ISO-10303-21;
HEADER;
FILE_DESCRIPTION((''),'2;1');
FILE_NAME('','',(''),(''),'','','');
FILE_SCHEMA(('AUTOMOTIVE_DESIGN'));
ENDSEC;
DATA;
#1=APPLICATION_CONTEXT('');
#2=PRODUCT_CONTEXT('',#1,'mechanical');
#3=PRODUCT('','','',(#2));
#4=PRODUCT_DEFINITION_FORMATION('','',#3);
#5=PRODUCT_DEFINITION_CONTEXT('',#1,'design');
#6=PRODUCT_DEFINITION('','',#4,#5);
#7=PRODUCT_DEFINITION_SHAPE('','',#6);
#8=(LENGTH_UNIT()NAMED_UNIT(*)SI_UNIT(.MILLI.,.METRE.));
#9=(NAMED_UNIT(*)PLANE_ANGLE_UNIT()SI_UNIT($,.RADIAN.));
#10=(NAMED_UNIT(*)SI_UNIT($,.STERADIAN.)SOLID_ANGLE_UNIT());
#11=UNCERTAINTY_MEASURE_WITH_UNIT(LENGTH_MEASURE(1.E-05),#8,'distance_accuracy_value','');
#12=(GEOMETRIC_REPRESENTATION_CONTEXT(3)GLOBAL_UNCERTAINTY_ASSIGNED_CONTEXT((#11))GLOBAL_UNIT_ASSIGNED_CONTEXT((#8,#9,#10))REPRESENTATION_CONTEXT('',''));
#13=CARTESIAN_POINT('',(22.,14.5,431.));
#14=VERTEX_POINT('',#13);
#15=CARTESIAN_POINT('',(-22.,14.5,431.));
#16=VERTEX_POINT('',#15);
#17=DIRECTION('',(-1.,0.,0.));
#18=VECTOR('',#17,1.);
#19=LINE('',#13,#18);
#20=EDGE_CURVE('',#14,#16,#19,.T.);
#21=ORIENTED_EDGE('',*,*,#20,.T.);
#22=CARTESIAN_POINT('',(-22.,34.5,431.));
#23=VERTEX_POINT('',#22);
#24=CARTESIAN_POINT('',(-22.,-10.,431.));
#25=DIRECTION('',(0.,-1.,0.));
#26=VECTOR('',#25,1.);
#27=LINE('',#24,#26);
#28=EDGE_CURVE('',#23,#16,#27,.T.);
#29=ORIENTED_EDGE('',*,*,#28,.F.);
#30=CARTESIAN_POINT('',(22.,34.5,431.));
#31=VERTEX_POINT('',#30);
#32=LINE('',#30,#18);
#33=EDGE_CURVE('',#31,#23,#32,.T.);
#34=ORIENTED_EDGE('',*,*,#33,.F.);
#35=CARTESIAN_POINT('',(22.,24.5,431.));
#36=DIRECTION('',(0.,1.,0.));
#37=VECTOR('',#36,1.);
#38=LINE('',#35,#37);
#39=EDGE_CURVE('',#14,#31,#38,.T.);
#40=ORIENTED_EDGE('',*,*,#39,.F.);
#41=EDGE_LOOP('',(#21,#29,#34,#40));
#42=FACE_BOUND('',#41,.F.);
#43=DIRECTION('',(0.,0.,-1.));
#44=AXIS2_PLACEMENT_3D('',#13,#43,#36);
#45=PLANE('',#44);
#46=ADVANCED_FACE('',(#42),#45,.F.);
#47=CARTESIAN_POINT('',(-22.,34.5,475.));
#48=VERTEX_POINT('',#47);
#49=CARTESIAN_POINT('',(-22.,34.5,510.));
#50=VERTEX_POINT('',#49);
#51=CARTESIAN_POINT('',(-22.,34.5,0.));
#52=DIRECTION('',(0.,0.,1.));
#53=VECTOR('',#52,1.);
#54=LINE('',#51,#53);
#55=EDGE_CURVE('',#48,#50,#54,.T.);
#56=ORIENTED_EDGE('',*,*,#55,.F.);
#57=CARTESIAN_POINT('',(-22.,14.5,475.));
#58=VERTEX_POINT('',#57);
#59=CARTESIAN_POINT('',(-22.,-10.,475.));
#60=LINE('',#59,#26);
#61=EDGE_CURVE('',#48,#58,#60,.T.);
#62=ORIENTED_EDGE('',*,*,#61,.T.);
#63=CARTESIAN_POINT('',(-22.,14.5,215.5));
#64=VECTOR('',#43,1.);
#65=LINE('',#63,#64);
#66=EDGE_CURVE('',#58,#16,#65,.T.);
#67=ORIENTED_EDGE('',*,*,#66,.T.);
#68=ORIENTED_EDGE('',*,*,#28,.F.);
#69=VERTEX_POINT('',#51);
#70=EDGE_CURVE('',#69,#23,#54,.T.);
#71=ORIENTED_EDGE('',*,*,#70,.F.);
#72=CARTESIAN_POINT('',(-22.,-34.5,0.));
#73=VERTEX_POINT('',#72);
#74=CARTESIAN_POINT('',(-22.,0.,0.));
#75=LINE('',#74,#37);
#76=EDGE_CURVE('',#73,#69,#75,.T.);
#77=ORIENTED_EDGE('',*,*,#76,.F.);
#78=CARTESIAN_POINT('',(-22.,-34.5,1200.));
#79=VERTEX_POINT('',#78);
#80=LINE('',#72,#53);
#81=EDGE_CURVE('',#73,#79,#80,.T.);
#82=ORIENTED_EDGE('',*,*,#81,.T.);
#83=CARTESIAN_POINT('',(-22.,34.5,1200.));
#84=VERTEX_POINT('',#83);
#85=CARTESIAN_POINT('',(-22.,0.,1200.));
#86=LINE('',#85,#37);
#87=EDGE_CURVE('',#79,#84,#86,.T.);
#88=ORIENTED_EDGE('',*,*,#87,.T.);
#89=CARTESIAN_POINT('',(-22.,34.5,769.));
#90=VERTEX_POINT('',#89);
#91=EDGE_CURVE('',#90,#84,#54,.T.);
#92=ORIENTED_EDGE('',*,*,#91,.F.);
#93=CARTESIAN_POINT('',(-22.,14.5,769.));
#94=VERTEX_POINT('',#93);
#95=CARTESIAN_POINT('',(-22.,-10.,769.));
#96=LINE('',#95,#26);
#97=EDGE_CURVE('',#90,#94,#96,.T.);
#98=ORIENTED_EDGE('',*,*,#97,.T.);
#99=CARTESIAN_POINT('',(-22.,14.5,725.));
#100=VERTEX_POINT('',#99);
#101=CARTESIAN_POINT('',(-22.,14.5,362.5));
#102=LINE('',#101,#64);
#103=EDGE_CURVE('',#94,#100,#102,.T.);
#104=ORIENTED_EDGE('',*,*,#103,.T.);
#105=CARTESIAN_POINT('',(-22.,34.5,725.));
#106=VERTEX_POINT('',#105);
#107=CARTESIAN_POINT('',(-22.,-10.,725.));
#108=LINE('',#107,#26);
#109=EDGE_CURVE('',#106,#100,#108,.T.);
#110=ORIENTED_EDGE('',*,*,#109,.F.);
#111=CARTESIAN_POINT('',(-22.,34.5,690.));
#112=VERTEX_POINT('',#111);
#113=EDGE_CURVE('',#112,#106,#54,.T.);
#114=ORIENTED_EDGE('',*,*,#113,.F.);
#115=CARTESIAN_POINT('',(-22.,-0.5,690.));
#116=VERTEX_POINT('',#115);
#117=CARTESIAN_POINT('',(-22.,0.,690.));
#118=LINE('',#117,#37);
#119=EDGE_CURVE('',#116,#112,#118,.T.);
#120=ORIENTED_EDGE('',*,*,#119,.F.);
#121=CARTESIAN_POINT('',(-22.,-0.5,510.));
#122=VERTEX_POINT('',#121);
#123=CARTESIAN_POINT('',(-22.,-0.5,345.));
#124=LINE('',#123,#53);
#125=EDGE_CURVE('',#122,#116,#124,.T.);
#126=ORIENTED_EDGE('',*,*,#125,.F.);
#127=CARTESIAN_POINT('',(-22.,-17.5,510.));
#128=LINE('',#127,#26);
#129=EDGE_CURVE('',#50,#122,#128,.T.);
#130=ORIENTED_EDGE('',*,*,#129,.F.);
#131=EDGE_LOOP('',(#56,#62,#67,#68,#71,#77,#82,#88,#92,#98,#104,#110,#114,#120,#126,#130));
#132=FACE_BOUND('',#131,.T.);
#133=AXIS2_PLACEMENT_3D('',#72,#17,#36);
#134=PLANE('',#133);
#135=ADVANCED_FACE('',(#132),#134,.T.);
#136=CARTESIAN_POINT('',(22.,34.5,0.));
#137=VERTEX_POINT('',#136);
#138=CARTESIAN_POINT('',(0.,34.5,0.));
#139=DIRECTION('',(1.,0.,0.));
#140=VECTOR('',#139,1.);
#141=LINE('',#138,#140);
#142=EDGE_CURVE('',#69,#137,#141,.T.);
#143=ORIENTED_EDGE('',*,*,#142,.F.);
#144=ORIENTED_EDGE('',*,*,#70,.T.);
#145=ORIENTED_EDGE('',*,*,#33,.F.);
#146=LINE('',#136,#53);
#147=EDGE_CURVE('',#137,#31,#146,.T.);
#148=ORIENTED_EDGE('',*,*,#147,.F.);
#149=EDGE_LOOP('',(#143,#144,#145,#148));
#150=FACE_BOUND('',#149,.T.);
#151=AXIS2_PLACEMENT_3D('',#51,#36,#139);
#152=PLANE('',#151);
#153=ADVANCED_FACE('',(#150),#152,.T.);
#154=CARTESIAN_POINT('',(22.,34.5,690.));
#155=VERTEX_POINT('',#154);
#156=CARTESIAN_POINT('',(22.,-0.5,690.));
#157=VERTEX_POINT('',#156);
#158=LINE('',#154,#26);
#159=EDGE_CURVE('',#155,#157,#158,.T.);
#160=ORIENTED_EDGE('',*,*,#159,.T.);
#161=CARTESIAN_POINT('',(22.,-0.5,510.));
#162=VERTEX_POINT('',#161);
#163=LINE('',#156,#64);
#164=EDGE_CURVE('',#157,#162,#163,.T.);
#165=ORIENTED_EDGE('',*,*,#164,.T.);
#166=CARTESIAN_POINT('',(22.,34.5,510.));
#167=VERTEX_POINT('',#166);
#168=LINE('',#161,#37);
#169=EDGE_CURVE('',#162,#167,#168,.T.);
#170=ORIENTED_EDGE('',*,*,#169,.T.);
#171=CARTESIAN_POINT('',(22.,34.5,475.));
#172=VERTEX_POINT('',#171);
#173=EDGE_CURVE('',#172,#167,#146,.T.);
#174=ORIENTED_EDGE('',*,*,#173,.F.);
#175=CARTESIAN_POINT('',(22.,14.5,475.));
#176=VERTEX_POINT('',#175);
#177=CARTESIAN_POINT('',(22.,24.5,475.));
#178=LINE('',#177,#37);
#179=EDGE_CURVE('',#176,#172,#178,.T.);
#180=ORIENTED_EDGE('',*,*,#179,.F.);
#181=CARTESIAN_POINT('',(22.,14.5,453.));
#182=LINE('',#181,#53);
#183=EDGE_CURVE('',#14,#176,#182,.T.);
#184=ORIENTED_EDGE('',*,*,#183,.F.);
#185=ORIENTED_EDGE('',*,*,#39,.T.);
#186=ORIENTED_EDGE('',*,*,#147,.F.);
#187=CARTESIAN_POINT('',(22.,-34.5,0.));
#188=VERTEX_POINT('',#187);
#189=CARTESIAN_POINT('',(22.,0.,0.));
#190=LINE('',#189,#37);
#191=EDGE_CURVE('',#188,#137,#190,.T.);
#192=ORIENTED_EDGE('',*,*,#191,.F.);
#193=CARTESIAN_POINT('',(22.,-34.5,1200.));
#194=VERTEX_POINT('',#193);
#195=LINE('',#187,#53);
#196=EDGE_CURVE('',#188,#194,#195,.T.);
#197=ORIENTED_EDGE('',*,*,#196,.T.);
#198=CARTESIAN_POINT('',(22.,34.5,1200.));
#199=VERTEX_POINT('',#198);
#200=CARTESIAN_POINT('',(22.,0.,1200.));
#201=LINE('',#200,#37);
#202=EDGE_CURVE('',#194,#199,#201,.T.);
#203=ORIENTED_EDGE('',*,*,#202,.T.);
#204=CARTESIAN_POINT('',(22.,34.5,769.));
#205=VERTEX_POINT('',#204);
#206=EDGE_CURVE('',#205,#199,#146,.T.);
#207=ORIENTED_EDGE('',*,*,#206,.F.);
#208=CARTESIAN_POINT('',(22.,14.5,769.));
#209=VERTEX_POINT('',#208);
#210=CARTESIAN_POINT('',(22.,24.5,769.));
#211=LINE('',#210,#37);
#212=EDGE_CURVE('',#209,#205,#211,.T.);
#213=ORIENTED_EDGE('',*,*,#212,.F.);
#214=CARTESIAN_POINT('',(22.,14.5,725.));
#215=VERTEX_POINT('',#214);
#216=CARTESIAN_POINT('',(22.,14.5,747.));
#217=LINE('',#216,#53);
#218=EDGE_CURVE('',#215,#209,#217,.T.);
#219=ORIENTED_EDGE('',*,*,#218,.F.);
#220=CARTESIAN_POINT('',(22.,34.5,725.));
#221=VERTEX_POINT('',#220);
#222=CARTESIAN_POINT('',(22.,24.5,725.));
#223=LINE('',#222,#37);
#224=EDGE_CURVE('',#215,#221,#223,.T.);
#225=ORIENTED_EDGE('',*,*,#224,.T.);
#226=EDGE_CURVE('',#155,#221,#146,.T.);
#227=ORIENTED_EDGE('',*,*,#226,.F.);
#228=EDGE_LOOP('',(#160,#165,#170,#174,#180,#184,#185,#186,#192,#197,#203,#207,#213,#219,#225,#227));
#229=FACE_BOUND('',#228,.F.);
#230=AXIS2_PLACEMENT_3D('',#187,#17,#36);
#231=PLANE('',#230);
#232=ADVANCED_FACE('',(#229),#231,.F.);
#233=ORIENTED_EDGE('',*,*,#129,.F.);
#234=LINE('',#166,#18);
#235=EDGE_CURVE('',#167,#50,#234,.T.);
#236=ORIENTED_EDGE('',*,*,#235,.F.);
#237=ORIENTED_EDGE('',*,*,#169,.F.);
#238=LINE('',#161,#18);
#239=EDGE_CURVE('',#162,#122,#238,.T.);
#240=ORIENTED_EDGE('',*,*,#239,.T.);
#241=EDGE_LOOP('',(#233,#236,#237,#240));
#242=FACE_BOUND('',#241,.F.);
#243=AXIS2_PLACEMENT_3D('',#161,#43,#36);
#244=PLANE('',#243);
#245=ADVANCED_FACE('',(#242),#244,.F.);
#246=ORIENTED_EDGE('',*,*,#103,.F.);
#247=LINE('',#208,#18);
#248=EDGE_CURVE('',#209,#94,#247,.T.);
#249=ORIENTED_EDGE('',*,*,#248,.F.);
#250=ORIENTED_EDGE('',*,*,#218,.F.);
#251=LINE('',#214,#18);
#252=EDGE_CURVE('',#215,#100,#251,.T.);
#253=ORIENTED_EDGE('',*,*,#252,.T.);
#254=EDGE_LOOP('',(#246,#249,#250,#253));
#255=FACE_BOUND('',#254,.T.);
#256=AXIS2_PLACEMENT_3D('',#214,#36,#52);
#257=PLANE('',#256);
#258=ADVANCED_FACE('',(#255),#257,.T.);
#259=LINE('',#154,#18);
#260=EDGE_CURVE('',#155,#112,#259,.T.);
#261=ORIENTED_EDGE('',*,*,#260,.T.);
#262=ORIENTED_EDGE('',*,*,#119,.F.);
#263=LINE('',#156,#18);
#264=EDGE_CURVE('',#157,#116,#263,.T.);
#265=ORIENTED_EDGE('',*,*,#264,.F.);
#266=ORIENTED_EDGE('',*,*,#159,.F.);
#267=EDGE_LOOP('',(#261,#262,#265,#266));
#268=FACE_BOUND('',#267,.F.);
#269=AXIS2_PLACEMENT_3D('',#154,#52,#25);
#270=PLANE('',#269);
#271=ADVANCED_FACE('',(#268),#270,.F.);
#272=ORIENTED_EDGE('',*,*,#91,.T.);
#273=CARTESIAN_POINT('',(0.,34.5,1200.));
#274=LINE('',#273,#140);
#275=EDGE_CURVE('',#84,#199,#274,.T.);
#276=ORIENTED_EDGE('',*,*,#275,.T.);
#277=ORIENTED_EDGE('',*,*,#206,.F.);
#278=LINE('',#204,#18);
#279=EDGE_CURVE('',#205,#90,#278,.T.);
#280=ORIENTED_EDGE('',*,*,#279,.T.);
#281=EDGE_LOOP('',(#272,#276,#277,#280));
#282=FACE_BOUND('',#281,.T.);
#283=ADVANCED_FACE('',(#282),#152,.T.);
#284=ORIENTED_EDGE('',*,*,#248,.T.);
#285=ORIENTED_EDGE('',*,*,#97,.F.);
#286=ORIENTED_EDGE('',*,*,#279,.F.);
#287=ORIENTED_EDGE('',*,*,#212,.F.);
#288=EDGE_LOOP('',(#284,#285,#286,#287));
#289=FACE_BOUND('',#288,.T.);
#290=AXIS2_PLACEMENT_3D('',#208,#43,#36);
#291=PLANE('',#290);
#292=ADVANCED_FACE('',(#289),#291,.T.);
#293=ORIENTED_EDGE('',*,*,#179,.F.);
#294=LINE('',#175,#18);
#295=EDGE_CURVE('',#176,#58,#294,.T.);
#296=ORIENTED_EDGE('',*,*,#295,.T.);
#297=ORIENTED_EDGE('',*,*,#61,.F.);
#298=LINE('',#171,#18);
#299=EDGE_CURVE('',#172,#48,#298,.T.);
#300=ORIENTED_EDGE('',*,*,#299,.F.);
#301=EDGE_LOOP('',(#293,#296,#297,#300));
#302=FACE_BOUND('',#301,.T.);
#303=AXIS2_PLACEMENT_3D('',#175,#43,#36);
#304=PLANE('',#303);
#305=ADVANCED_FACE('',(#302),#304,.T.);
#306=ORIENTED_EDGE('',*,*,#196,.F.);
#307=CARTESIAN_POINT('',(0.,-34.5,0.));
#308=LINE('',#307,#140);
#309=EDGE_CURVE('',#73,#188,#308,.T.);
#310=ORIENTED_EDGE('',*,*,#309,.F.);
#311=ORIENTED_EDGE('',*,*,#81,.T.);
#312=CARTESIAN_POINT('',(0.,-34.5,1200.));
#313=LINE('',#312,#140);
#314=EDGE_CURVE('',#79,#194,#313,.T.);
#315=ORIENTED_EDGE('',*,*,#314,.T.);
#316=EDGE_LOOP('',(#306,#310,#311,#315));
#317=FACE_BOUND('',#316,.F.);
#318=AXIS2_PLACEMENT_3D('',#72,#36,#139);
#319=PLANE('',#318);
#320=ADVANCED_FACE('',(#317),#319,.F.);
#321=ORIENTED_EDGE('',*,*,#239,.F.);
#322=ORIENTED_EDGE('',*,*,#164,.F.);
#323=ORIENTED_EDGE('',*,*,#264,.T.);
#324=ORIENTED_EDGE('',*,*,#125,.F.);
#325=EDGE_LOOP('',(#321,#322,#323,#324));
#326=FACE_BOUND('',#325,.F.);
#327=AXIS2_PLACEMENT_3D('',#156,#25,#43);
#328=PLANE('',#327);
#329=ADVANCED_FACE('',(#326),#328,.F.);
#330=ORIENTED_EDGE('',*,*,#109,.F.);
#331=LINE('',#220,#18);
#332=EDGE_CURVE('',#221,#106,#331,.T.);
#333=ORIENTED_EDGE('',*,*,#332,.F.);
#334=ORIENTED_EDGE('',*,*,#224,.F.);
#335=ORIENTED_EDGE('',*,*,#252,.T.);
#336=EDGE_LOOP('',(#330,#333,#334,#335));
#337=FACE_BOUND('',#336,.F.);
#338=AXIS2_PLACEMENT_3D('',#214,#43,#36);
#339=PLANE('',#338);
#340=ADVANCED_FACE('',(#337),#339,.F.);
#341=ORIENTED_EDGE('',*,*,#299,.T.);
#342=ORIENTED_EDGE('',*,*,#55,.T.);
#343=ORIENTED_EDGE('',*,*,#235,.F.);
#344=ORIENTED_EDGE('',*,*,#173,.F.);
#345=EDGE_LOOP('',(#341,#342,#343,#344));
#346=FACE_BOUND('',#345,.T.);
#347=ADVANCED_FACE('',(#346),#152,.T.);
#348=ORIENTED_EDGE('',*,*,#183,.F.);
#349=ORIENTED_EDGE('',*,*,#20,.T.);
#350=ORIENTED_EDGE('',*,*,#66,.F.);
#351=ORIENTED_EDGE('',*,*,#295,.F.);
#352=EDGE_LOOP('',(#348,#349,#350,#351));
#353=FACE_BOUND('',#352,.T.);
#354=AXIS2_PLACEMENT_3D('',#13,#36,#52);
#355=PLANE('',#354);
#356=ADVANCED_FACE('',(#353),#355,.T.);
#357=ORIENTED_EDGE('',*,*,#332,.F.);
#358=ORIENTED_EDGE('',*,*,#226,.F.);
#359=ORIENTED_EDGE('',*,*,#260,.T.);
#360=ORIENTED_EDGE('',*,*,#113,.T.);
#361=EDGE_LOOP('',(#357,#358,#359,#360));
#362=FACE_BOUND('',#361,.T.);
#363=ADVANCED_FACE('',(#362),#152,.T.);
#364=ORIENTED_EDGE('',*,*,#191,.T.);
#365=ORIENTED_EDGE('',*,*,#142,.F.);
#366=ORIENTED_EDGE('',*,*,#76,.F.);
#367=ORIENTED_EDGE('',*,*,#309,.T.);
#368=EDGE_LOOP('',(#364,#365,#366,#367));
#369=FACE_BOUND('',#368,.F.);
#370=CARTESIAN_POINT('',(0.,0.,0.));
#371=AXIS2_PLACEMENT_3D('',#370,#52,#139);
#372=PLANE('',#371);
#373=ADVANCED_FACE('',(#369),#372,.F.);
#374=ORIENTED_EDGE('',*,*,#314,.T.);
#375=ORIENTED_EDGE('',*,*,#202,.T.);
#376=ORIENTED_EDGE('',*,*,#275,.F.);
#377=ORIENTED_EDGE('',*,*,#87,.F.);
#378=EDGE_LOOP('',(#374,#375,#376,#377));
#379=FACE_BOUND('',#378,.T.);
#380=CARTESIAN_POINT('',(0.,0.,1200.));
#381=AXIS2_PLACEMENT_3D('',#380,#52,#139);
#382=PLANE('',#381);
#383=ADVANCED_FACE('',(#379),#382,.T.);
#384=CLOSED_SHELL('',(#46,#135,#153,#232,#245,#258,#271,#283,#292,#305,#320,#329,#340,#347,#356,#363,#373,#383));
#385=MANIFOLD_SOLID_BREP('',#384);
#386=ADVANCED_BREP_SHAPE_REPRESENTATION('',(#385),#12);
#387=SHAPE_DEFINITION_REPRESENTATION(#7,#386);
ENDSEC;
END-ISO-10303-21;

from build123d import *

# Parameters (mm, degrees)
F0_W     = 44
F0_H     = 69
F1_DEPTH = 1200
F2_W     = 20
F2_H     = 44
F3_DEPTH = 44.001


with BuildPart() as f1:
    # F0 (on Top) → F1 (new body)
    with BuildSketch(Plane.XY):
        Rectangle(F0_W, F0_H)
    extrude(amount=F1_DEPTH)

    # F2 (on face) → F3 (cut, through all)
    with BuildSketch(Plane.YZ.offset(22)):
        Polygon((-0.5, 510), (34.5, 510), (34.5, 600), (34.5, 690), (-0.5, 690), (-0.5, 600), align=None)
        with Locations((24.5, 453)):
            Rectangle(F2_W, F2_H)
        with Locations((24.5, 747)):
            Rectangle(F2_W, F2_H)
    extrude(amount=-F3_DEPTH, mode=Mode.SUBTRACT)


solid = f1.part
